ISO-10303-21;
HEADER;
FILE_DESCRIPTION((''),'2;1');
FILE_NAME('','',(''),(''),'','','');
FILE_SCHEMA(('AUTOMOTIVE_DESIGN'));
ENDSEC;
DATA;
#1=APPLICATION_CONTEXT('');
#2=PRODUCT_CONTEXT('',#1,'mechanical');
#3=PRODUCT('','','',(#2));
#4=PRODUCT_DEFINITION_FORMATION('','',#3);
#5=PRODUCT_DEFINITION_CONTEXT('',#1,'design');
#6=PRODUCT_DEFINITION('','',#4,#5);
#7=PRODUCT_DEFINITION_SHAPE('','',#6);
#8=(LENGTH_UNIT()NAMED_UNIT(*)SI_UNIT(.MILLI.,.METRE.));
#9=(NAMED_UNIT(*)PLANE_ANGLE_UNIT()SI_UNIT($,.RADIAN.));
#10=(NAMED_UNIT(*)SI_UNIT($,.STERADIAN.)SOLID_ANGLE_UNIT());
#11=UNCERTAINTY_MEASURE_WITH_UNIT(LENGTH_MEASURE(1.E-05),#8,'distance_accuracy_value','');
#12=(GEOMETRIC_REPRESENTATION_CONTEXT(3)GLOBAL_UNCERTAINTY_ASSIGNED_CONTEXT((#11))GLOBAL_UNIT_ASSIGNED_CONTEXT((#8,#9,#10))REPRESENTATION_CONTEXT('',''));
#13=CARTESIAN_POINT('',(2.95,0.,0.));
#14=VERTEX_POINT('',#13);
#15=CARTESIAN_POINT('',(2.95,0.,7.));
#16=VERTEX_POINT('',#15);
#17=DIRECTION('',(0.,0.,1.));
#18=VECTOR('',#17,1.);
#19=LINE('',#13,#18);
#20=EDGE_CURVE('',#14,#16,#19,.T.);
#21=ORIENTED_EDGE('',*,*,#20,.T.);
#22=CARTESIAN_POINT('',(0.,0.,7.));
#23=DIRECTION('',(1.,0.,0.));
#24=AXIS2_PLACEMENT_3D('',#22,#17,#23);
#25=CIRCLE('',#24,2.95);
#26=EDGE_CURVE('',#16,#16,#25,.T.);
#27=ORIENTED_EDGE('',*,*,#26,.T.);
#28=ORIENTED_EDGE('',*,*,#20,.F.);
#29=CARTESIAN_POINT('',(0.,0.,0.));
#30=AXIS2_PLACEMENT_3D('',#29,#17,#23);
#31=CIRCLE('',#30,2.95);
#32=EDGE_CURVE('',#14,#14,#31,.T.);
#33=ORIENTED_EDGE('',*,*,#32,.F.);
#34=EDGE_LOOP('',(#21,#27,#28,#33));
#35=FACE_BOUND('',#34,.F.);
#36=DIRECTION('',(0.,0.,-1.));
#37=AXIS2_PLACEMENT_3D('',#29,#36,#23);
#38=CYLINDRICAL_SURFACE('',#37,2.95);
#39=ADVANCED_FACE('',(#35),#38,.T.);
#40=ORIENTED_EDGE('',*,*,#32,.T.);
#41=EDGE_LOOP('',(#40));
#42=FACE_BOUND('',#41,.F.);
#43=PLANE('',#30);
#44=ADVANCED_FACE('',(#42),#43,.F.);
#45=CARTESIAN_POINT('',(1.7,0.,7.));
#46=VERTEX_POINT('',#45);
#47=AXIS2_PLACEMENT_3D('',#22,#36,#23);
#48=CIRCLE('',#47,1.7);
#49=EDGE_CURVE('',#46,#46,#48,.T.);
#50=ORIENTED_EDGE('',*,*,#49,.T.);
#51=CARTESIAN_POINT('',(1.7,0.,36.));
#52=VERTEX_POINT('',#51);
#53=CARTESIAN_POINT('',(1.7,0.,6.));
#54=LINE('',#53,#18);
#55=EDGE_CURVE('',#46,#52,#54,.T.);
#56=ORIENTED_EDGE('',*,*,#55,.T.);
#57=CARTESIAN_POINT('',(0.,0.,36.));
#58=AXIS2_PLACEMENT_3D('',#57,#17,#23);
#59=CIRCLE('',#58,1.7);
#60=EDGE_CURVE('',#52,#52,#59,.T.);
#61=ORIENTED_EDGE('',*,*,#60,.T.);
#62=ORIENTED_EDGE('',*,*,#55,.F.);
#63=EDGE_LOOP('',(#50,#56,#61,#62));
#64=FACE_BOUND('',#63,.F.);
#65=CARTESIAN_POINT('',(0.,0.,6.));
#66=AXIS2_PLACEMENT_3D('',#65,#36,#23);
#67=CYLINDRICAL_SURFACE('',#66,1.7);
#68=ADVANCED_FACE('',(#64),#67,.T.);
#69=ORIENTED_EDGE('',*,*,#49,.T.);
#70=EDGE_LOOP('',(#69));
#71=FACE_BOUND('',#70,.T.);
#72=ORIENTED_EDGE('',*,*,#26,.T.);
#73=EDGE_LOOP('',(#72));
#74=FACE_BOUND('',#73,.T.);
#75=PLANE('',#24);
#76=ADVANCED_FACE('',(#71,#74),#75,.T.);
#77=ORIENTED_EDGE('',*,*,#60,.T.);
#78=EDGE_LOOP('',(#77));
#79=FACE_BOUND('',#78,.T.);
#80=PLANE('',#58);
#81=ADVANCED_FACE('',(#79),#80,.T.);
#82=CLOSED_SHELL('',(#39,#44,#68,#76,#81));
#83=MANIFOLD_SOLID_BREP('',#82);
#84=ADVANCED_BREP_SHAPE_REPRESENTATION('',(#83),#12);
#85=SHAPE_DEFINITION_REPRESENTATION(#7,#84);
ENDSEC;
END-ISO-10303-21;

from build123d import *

# Parameters (mm, degrees)
CYLINDER_R        = 2.95
CYLINDER_DEPTH    = 7
CYLINDER001_R     = 1.7
CYLINDER001_DEPTH = 30


with BuildPart() as m3bolthead:
    # Cylinder → Cylinder (new body)
    with BuildSketch(Plane.XY):
        Circle(CYLINDER_R)
    extrude(amount=CYLINDER_DEPTH)


with BuildPart() as m3bolt:
    # Cylinder001 → Cylinder001 (new body)
    with BuildSketch(Plane.XY.offset(6)):
        Circle(CYLINDER001_R)
    extrude(amount=CYLINDER001_DEPTH)

    # Fusion: union M3BoltHead
    add(m3bolthead.part)


solid = m3bolt.part
